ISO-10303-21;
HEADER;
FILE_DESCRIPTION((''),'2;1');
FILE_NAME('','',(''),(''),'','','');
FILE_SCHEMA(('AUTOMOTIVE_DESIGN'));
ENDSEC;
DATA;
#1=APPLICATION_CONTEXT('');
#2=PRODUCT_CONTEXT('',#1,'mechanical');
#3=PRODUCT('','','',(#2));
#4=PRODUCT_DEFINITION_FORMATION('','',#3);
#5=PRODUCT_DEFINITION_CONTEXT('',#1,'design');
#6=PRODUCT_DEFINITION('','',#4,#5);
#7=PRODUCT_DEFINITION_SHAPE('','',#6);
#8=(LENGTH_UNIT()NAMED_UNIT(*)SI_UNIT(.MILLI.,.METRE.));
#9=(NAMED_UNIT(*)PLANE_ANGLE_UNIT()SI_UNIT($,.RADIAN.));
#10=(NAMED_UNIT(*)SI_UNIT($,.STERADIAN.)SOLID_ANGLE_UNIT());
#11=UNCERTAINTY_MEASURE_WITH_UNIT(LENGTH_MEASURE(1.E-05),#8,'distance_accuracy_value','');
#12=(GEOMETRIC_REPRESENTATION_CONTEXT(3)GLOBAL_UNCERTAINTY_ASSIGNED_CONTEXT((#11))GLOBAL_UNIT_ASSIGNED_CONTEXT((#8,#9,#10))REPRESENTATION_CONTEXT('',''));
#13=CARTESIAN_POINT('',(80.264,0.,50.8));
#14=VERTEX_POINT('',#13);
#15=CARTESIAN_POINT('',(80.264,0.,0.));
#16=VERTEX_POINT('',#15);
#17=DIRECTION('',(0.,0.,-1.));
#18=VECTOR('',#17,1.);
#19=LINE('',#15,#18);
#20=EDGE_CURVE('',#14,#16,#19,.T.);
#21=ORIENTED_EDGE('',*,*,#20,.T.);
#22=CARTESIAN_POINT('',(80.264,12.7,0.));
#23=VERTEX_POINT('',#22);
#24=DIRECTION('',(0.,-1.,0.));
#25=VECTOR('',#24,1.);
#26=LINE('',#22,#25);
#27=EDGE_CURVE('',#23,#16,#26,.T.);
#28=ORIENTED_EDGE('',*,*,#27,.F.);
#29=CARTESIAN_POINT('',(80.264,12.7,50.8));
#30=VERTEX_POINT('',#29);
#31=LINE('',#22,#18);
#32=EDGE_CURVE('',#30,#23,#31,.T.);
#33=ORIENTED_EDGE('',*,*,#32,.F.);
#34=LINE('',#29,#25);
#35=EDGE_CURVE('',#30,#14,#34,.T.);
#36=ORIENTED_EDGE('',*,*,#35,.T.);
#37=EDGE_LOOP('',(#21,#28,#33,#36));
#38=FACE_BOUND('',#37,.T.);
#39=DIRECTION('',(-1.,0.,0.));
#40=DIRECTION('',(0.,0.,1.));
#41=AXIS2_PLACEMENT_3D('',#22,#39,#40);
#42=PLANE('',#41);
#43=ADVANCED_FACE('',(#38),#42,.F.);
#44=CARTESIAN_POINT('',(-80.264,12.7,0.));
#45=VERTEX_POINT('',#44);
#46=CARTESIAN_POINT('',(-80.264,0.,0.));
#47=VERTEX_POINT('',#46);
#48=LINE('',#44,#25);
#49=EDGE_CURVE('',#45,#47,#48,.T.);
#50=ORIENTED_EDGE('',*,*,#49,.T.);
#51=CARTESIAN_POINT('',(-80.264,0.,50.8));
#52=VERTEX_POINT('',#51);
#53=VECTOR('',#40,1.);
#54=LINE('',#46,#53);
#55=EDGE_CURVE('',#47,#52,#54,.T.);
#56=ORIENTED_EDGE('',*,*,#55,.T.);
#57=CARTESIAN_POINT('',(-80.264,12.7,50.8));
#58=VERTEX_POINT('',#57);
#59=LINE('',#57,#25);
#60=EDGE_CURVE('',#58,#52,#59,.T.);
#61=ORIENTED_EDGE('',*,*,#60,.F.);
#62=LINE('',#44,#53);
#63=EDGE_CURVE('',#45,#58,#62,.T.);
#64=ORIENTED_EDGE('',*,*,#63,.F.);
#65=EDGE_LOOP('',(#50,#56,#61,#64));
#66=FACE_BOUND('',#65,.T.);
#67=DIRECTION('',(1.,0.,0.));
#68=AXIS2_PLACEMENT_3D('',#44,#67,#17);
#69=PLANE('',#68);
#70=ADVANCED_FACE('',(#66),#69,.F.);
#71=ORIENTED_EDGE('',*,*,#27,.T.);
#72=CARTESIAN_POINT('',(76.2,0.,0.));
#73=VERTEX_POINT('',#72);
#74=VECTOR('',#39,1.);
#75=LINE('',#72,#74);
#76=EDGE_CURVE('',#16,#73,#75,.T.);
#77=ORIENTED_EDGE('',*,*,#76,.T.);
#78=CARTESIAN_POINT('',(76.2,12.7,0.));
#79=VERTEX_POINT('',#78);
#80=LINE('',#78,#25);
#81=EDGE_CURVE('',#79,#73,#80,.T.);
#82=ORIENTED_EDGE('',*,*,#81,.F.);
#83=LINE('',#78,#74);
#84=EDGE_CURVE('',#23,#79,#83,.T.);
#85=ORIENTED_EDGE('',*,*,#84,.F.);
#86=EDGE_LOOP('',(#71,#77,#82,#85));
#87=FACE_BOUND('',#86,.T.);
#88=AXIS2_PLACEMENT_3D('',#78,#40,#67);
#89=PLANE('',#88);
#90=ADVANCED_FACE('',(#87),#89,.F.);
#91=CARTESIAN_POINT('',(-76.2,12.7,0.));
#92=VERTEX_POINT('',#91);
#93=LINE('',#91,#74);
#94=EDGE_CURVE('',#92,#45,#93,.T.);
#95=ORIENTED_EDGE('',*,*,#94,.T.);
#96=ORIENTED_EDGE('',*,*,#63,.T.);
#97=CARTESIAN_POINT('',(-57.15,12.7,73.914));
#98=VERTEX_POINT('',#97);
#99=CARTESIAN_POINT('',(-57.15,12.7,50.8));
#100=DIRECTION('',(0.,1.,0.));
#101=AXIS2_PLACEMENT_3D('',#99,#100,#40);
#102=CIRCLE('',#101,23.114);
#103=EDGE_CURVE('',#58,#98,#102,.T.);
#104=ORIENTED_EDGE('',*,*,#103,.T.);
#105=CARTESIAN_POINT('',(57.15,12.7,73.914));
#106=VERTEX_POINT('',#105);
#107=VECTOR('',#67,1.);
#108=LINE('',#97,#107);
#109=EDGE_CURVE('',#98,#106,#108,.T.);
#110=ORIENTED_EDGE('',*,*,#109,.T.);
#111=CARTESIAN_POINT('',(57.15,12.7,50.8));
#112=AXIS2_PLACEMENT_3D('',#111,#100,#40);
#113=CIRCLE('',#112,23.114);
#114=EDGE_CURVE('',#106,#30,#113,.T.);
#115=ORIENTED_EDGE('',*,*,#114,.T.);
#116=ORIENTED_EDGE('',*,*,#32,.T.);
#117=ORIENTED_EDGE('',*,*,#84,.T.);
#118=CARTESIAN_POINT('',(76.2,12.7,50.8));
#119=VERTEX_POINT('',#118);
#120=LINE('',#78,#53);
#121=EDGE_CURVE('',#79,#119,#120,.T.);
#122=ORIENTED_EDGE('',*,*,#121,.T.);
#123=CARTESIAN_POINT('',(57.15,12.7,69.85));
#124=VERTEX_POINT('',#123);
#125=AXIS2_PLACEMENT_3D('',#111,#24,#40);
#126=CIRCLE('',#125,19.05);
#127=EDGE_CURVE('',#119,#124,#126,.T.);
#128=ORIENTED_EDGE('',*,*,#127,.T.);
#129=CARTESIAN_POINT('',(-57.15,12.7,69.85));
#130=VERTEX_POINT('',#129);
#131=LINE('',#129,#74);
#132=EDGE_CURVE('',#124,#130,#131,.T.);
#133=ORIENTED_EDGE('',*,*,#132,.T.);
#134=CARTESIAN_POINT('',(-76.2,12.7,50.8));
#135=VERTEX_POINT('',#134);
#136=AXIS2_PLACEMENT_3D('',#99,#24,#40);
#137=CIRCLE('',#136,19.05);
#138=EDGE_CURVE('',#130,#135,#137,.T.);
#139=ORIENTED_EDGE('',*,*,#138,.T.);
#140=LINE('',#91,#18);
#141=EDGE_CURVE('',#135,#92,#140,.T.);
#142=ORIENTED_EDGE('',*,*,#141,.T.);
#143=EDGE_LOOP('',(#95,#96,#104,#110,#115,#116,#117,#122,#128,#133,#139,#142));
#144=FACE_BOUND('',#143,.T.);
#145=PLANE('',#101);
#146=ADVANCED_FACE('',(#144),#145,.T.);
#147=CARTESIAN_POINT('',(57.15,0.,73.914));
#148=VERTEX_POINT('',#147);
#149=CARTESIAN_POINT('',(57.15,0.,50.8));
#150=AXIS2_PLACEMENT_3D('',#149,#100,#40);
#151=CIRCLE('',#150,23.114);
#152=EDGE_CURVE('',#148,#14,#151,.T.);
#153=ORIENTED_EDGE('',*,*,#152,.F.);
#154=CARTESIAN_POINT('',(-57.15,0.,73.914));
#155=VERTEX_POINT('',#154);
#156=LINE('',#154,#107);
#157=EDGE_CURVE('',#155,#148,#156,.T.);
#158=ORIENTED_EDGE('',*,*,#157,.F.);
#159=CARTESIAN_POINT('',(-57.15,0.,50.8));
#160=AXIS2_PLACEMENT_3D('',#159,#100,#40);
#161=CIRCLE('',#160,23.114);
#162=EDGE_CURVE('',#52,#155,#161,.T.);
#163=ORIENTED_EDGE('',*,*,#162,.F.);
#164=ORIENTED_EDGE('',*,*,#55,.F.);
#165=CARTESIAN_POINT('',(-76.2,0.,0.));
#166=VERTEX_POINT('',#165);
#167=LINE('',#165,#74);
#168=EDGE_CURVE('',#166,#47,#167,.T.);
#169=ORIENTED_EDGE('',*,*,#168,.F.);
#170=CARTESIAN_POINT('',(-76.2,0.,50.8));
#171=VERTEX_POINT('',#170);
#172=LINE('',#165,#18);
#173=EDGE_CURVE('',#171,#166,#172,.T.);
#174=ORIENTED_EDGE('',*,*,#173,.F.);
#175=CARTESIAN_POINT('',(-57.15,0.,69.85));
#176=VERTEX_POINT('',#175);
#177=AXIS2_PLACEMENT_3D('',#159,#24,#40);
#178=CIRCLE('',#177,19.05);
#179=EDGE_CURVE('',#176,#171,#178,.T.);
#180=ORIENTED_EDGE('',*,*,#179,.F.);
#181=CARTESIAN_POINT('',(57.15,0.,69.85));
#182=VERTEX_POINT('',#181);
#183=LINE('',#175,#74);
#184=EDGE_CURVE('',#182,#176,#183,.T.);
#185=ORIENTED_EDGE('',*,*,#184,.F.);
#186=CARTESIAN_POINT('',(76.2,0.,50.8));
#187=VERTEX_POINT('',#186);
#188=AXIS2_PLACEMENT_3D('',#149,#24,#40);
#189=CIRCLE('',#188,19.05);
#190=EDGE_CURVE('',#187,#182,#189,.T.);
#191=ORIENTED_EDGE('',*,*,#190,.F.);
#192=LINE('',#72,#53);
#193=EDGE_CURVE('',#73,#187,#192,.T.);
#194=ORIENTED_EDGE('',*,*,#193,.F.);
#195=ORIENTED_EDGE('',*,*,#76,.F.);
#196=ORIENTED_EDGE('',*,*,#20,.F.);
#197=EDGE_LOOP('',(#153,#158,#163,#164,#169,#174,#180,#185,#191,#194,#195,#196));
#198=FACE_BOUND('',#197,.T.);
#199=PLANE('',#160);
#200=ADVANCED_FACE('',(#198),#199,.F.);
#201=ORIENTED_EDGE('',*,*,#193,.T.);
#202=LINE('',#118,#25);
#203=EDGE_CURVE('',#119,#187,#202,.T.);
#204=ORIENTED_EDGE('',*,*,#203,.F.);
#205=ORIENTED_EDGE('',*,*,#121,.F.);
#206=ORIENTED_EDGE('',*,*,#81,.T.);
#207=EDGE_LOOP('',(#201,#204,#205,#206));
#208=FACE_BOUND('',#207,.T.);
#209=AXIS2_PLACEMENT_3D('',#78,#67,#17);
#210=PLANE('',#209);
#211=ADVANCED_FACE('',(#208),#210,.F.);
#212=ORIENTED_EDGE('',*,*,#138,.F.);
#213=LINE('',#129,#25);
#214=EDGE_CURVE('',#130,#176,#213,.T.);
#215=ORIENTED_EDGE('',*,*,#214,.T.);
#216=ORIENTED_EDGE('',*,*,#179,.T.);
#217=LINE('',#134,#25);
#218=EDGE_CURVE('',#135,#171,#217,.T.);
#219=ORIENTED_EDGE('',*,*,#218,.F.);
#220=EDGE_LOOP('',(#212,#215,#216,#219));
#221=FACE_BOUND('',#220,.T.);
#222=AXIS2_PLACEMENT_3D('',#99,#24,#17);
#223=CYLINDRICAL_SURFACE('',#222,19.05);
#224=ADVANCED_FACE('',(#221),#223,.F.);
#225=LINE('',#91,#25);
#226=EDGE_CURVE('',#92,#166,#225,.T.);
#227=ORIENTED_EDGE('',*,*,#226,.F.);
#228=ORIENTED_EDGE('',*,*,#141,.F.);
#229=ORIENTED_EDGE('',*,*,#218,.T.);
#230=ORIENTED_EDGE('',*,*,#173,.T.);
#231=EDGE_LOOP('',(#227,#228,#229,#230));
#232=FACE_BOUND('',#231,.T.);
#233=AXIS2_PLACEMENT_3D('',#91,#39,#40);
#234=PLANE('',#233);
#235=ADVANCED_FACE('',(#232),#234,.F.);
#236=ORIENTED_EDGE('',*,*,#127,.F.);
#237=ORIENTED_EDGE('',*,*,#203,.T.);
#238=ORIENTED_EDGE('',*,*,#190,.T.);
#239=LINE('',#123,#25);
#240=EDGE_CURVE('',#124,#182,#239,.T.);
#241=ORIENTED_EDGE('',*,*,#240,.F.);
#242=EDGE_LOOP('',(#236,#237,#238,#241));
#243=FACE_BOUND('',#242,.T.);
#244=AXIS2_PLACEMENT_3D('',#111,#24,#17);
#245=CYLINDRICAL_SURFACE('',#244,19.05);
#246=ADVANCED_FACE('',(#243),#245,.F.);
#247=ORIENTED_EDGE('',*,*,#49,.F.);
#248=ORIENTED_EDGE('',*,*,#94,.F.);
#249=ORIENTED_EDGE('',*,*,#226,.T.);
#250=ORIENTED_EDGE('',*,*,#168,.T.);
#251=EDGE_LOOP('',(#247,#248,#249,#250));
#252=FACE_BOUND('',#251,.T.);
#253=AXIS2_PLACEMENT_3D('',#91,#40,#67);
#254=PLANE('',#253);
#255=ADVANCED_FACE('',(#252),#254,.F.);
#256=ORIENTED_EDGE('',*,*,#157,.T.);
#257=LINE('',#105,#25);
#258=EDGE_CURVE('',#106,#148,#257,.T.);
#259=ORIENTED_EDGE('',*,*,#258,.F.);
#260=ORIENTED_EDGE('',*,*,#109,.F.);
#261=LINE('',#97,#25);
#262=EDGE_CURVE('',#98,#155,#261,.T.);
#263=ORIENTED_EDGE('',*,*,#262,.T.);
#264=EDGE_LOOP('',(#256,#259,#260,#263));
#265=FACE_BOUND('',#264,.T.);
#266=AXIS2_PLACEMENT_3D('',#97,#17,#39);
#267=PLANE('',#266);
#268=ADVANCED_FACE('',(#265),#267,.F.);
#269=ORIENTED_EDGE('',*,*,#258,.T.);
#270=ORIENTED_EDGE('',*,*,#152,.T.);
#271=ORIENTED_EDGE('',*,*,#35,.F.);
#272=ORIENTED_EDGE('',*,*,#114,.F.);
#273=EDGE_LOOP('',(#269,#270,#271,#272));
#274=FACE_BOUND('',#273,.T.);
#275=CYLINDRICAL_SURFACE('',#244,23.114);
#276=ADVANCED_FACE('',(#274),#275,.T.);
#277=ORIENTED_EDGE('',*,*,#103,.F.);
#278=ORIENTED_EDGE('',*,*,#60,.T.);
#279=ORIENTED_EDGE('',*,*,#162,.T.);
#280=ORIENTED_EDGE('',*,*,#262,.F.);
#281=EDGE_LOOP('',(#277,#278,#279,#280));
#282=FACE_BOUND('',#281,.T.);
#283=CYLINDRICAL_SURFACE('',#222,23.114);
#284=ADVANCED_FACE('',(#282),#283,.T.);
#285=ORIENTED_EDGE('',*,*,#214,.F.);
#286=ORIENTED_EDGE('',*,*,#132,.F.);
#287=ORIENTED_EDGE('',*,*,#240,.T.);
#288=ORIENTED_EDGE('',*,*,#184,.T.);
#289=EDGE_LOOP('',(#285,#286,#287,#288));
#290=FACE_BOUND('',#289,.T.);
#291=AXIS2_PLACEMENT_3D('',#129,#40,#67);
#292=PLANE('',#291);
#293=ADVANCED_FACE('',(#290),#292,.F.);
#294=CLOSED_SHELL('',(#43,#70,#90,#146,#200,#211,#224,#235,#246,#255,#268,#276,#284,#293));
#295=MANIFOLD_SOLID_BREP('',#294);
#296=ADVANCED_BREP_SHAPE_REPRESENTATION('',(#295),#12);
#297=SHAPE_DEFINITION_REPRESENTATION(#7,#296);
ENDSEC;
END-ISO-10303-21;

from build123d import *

# Parameters (mm, degrees)
BOSS_EXTRUDE4_DEPTH = 12.7


with BuildPart() as part:
    # Sketch474 → Boss-Extrude4 (new body)
    with BuildSketch(Plane(origin=(0, 0, 0), x_dir=(1, 0, 0), z_dir=(0, 1, 0))):
        with BuildLine():
            Line((-76.2, 0), (-76.2, -50.8))
            ThreePointArc((-76.2, -50.8), (-70.620384182, -64.270384182), (-57.15, -69.85))
            Line((-57.15, -69.85), (57.15, -69.85))
            ThreePointArc((57.15, -69.85), (70.620384182, -64.270384182), (76.2, -50.8))
            Line((76.2, -50.8), (76.2, 0))
            Line((76.2, 0), (80.264, 0))
            Line((80.264, 0), (80.264, -50.8))
            ThreePointArc((80.264, -50.8), (73.49406614, -67.14406614), (57.15, -73.914))
            Line((57.15, -73.914), (-57.15, -73.914))
            ThreePointArc((-57.15, -73.914), (-73.49406614, -67.14406614), (-80.264, -50.8))
            Line((-80.264, -50.8), (-80.264, 0))
            Line((-80.264, 0), (-76.2, 0))
        make_face()
    extrude(amount=BOSS_EXTRUDE4_DEPTH)


solid = part.part
